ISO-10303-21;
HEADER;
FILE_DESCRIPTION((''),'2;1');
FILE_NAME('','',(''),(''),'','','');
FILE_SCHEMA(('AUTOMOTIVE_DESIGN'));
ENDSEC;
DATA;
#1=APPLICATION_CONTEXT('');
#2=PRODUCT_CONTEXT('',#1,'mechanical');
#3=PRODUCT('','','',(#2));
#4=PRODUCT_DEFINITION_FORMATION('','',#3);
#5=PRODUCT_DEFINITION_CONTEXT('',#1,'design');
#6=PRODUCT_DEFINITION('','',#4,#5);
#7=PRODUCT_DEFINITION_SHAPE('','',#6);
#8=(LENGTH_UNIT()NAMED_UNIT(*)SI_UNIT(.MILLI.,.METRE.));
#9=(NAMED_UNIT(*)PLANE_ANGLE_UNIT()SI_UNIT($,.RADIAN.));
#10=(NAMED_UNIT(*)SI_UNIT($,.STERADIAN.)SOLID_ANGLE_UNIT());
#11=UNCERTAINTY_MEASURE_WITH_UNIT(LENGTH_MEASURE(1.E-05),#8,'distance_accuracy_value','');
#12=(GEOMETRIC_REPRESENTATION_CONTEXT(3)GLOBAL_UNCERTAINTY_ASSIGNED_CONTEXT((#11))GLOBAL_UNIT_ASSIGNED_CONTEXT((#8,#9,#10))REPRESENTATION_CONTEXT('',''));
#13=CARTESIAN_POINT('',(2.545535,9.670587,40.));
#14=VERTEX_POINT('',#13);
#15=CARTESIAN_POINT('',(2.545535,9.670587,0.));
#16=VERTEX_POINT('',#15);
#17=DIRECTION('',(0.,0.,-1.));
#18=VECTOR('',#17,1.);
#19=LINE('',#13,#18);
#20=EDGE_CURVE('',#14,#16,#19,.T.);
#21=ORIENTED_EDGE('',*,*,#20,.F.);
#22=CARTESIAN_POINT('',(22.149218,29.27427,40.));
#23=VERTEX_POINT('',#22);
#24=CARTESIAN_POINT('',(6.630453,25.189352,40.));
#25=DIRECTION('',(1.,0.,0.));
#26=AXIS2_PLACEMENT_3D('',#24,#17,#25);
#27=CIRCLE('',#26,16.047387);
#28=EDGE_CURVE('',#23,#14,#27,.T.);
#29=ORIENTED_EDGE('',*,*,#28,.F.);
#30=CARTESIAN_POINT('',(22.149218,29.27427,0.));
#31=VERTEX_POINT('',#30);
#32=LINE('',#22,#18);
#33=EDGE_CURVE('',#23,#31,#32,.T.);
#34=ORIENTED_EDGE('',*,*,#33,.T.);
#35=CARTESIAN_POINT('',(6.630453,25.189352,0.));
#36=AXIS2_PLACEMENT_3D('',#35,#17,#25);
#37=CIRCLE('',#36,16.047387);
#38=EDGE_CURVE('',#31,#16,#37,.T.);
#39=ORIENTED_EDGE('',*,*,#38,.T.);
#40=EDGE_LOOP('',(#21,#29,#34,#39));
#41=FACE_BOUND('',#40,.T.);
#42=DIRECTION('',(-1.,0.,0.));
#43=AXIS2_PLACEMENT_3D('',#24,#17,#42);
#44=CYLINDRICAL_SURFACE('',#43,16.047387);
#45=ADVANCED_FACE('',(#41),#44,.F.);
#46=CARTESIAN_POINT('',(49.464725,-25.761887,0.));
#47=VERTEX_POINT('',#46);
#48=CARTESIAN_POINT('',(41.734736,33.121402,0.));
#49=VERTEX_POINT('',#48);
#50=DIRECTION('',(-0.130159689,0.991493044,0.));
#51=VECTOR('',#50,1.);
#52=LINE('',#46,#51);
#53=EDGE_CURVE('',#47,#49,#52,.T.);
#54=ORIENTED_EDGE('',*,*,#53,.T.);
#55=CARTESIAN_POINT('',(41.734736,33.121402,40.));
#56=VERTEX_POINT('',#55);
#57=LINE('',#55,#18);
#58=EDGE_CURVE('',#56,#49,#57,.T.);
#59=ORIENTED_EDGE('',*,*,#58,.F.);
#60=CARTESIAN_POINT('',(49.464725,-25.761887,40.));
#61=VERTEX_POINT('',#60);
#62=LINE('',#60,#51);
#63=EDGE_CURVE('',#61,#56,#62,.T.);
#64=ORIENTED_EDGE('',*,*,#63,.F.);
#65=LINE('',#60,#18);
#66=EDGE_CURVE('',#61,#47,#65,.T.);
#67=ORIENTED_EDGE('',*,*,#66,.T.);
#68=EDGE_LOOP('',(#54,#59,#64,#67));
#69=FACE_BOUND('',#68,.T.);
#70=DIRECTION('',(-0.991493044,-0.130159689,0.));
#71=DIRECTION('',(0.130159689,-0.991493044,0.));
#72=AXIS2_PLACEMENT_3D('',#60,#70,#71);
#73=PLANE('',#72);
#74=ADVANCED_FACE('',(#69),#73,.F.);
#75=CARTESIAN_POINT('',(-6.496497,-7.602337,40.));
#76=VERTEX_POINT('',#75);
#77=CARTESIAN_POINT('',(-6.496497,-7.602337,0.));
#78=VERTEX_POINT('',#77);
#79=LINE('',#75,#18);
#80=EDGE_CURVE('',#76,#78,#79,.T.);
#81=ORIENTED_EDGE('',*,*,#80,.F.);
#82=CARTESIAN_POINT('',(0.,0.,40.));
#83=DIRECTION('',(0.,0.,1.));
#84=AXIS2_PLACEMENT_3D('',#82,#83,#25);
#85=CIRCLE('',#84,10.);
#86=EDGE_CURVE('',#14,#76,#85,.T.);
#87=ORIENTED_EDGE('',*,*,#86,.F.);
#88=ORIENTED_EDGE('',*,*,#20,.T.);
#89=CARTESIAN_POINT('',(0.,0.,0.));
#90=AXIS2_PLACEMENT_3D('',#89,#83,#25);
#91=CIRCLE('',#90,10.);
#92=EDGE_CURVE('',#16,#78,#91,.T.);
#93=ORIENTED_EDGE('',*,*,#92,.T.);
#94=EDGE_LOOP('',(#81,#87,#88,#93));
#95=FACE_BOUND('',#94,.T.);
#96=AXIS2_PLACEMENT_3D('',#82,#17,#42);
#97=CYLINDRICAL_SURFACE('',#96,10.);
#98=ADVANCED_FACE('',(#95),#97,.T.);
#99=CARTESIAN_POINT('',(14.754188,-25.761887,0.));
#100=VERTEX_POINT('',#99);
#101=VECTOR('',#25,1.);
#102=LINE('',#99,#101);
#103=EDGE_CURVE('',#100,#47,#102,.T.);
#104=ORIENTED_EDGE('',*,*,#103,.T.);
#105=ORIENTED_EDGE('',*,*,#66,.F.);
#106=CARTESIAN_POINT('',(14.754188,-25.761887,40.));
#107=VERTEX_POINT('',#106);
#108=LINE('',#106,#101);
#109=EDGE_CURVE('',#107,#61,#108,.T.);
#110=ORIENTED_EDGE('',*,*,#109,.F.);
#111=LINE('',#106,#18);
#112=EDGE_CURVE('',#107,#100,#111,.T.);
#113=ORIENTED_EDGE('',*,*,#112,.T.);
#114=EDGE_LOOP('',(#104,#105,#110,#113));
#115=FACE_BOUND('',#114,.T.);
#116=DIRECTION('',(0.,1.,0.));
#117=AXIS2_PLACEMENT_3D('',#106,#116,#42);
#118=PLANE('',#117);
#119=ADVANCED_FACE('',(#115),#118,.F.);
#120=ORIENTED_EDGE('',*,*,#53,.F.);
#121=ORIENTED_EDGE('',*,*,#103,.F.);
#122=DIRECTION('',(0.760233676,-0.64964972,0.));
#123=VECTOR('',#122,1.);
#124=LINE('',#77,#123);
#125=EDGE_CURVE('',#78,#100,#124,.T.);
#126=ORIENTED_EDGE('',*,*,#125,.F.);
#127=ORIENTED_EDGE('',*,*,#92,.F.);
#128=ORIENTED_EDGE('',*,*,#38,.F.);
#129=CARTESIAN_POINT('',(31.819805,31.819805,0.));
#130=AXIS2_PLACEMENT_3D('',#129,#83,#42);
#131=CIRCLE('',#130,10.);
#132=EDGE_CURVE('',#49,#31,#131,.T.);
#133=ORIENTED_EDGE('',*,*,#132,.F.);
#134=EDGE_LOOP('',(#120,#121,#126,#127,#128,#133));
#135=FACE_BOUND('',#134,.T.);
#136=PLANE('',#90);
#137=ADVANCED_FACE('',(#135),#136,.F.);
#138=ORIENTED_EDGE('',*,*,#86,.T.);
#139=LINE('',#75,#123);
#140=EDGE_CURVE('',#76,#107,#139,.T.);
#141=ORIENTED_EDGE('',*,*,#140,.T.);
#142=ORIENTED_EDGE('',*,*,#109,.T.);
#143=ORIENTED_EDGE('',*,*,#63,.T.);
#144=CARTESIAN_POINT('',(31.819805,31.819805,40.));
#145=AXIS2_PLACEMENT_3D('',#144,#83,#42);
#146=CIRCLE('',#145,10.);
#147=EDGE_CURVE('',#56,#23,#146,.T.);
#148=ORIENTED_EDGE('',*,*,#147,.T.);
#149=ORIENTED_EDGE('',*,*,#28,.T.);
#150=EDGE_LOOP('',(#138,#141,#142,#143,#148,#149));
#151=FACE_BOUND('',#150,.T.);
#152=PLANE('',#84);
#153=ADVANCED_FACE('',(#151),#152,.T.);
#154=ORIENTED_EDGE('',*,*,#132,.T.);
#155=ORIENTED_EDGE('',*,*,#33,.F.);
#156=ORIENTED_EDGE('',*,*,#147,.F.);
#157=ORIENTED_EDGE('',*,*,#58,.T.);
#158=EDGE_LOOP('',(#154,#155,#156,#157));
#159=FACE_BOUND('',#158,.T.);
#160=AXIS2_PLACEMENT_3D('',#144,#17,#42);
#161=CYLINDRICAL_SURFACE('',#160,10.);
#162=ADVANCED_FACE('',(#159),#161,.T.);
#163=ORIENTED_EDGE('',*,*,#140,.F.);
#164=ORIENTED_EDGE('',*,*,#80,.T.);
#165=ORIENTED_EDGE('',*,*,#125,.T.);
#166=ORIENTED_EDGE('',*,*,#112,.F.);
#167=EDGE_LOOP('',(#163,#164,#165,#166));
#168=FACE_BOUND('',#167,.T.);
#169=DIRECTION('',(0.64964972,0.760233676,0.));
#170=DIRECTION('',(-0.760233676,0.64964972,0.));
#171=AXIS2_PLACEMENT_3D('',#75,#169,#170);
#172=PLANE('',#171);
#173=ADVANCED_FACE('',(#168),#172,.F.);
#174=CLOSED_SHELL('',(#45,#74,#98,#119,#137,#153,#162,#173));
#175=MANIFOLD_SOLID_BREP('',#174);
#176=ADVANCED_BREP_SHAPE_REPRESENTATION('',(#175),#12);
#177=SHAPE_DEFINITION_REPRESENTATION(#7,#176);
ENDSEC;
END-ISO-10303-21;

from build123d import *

# Parameters (mm, degrees)
EXTRUDE_1_DEPTH = 40


with BuildPart() as part:
    # 草图1 → 凸台-拉伸1 (new body)
    with BuildSketch(Plane.XY):
        with BuildLine():
            Line((14.754187877, -25.761886963), (49.46472486, -25.761886963))
            Line((49.46472486, -25.761886963), (41.734735589, 33.121402044))
            ThreePointArc((41.734735589, 33.121402044), (29.892363505, 41.632295596), (22.149218146, 29.274270447))
            ThreePointArc((22.149218146, 29.274270447), (17.977669058, 13.842136095), (2.545534706, 9.670587007))
            ThreePointArc((2.545534706, 9.670587007), (-8.859514659, 4.637779642), (-6.496497197, -7.602336757))
            Line((-6.496497197, -7.602336757), (14.754187877, -25.761886963))
        make_face()
    extrude(amount=EXTRUDE_1_DEPTH)


solid = part.part
